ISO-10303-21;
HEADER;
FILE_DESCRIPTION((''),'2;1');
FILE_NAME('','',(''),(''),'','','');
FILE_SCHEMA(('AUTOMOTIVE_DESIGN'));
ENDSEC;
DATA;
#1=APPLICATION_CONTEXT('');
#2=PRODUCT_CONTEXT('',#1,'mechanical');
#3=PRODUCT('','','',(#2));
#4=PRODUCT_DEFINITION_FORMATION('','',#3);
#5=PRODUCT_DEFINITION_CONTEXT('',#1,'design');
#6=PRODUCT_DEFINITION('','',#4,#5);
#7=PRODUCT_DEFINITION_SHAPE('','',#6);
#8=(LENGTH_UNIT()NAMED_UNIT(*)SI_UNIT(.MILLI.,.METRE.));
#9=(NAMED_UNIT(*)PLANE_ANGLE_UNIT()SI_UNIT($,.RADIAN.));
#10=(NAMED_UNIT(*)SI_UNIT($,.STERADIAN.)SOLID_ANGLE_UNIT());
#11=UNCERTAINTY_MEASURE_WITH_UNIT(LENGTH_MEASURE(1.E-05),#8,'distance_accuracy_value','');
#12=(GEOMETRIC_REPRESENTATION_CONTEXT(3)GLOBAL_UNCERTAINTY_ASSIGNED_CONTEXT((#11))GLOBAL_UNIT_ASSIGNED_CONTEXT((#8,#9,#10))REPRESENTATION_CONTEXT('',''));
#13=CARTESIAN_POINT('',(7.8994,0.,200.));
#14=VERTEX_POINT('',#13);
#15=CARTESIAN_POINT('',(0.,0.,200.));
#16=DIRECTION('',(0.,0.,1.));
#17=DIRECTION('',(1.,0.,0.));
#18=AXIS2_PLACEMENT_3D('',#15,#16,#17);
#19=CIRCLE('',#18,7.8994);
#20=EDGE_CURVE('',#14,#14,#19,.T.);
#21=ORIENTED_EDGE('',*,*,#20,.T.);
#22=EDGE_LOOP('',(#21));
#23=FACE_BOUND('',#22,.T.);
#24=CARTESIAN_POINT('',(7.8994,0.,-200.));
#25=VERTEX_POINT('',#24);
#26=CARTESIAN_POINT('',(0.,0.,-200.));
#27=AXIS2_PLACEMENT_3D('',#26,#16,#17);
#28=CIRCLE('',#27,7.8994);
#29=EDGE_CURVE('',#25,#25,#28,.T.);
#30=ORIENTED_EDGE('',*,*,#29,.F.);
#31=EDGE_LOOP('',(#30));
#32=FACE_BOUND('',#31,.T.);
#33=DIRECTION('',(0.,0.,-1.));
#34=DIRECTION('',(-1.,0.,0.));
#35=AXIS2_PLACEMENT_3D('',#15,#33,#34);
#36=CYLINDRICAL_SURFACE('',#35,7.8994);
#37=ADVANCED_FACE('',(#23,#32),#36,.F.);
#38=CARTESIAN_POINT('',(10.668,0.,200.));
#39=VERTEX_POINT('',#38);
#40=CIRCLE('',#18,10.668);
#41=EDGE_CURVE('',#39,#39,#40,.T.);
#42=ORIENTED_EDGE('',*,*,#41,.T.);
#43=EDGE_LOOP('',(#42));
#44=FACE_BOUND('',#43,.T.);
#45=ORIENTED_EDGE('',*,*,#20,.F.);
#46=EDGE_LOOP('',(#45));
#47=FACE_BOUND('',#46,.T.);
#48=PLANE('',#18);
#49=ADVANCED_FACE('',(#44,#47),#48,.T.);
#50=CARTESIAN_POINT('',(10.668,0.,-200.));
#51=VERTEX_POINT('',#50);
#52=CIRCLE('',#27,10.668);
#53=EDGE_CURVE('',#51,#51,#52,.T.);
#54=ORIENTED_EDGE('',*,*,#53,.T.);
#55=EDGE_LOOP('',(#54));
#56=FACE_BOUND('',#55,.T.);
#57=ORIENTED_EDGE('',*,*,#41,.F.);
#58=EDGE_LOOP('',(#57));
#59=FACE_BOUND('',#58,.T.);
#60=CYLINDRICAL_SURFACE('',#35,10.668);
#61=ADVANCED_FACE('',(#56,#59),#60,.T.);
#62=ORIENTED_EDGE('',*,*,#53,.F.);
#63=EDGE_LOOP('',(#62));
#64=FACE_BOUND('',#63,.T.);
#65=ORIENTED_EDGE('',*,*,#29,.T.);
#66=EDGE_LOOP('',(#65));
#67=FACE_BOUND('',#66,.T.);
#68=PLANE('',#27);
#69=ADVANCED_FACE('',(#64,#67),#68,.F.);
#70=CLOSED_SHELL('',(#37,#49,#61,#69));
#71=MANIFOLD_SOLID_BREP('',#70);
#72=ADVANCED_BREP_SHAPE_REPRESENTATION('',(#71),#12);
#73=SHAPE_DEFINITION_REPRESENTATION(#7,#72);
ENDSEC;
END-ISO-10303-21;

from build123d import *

# Parameters (mm, degrees)
SKETCH1_R           = 10.668
SKETCH1_R_2         = 7.8994
EXTRUDE_THIN1_DEPTH = 200


with BuildPart() as part:
    # Sketch1 → Extrude-Thin1 (new, symmetric)
    with BuildSketch(Plane.XY):
        Circle(SKETCH1_R)
        Circle(SKETCH1_R_2, mode=Mode.SUBTRACT)
    extrude(amount=EXTRUDE_THIN1_DEPTH, both=True)


solid = part.part
